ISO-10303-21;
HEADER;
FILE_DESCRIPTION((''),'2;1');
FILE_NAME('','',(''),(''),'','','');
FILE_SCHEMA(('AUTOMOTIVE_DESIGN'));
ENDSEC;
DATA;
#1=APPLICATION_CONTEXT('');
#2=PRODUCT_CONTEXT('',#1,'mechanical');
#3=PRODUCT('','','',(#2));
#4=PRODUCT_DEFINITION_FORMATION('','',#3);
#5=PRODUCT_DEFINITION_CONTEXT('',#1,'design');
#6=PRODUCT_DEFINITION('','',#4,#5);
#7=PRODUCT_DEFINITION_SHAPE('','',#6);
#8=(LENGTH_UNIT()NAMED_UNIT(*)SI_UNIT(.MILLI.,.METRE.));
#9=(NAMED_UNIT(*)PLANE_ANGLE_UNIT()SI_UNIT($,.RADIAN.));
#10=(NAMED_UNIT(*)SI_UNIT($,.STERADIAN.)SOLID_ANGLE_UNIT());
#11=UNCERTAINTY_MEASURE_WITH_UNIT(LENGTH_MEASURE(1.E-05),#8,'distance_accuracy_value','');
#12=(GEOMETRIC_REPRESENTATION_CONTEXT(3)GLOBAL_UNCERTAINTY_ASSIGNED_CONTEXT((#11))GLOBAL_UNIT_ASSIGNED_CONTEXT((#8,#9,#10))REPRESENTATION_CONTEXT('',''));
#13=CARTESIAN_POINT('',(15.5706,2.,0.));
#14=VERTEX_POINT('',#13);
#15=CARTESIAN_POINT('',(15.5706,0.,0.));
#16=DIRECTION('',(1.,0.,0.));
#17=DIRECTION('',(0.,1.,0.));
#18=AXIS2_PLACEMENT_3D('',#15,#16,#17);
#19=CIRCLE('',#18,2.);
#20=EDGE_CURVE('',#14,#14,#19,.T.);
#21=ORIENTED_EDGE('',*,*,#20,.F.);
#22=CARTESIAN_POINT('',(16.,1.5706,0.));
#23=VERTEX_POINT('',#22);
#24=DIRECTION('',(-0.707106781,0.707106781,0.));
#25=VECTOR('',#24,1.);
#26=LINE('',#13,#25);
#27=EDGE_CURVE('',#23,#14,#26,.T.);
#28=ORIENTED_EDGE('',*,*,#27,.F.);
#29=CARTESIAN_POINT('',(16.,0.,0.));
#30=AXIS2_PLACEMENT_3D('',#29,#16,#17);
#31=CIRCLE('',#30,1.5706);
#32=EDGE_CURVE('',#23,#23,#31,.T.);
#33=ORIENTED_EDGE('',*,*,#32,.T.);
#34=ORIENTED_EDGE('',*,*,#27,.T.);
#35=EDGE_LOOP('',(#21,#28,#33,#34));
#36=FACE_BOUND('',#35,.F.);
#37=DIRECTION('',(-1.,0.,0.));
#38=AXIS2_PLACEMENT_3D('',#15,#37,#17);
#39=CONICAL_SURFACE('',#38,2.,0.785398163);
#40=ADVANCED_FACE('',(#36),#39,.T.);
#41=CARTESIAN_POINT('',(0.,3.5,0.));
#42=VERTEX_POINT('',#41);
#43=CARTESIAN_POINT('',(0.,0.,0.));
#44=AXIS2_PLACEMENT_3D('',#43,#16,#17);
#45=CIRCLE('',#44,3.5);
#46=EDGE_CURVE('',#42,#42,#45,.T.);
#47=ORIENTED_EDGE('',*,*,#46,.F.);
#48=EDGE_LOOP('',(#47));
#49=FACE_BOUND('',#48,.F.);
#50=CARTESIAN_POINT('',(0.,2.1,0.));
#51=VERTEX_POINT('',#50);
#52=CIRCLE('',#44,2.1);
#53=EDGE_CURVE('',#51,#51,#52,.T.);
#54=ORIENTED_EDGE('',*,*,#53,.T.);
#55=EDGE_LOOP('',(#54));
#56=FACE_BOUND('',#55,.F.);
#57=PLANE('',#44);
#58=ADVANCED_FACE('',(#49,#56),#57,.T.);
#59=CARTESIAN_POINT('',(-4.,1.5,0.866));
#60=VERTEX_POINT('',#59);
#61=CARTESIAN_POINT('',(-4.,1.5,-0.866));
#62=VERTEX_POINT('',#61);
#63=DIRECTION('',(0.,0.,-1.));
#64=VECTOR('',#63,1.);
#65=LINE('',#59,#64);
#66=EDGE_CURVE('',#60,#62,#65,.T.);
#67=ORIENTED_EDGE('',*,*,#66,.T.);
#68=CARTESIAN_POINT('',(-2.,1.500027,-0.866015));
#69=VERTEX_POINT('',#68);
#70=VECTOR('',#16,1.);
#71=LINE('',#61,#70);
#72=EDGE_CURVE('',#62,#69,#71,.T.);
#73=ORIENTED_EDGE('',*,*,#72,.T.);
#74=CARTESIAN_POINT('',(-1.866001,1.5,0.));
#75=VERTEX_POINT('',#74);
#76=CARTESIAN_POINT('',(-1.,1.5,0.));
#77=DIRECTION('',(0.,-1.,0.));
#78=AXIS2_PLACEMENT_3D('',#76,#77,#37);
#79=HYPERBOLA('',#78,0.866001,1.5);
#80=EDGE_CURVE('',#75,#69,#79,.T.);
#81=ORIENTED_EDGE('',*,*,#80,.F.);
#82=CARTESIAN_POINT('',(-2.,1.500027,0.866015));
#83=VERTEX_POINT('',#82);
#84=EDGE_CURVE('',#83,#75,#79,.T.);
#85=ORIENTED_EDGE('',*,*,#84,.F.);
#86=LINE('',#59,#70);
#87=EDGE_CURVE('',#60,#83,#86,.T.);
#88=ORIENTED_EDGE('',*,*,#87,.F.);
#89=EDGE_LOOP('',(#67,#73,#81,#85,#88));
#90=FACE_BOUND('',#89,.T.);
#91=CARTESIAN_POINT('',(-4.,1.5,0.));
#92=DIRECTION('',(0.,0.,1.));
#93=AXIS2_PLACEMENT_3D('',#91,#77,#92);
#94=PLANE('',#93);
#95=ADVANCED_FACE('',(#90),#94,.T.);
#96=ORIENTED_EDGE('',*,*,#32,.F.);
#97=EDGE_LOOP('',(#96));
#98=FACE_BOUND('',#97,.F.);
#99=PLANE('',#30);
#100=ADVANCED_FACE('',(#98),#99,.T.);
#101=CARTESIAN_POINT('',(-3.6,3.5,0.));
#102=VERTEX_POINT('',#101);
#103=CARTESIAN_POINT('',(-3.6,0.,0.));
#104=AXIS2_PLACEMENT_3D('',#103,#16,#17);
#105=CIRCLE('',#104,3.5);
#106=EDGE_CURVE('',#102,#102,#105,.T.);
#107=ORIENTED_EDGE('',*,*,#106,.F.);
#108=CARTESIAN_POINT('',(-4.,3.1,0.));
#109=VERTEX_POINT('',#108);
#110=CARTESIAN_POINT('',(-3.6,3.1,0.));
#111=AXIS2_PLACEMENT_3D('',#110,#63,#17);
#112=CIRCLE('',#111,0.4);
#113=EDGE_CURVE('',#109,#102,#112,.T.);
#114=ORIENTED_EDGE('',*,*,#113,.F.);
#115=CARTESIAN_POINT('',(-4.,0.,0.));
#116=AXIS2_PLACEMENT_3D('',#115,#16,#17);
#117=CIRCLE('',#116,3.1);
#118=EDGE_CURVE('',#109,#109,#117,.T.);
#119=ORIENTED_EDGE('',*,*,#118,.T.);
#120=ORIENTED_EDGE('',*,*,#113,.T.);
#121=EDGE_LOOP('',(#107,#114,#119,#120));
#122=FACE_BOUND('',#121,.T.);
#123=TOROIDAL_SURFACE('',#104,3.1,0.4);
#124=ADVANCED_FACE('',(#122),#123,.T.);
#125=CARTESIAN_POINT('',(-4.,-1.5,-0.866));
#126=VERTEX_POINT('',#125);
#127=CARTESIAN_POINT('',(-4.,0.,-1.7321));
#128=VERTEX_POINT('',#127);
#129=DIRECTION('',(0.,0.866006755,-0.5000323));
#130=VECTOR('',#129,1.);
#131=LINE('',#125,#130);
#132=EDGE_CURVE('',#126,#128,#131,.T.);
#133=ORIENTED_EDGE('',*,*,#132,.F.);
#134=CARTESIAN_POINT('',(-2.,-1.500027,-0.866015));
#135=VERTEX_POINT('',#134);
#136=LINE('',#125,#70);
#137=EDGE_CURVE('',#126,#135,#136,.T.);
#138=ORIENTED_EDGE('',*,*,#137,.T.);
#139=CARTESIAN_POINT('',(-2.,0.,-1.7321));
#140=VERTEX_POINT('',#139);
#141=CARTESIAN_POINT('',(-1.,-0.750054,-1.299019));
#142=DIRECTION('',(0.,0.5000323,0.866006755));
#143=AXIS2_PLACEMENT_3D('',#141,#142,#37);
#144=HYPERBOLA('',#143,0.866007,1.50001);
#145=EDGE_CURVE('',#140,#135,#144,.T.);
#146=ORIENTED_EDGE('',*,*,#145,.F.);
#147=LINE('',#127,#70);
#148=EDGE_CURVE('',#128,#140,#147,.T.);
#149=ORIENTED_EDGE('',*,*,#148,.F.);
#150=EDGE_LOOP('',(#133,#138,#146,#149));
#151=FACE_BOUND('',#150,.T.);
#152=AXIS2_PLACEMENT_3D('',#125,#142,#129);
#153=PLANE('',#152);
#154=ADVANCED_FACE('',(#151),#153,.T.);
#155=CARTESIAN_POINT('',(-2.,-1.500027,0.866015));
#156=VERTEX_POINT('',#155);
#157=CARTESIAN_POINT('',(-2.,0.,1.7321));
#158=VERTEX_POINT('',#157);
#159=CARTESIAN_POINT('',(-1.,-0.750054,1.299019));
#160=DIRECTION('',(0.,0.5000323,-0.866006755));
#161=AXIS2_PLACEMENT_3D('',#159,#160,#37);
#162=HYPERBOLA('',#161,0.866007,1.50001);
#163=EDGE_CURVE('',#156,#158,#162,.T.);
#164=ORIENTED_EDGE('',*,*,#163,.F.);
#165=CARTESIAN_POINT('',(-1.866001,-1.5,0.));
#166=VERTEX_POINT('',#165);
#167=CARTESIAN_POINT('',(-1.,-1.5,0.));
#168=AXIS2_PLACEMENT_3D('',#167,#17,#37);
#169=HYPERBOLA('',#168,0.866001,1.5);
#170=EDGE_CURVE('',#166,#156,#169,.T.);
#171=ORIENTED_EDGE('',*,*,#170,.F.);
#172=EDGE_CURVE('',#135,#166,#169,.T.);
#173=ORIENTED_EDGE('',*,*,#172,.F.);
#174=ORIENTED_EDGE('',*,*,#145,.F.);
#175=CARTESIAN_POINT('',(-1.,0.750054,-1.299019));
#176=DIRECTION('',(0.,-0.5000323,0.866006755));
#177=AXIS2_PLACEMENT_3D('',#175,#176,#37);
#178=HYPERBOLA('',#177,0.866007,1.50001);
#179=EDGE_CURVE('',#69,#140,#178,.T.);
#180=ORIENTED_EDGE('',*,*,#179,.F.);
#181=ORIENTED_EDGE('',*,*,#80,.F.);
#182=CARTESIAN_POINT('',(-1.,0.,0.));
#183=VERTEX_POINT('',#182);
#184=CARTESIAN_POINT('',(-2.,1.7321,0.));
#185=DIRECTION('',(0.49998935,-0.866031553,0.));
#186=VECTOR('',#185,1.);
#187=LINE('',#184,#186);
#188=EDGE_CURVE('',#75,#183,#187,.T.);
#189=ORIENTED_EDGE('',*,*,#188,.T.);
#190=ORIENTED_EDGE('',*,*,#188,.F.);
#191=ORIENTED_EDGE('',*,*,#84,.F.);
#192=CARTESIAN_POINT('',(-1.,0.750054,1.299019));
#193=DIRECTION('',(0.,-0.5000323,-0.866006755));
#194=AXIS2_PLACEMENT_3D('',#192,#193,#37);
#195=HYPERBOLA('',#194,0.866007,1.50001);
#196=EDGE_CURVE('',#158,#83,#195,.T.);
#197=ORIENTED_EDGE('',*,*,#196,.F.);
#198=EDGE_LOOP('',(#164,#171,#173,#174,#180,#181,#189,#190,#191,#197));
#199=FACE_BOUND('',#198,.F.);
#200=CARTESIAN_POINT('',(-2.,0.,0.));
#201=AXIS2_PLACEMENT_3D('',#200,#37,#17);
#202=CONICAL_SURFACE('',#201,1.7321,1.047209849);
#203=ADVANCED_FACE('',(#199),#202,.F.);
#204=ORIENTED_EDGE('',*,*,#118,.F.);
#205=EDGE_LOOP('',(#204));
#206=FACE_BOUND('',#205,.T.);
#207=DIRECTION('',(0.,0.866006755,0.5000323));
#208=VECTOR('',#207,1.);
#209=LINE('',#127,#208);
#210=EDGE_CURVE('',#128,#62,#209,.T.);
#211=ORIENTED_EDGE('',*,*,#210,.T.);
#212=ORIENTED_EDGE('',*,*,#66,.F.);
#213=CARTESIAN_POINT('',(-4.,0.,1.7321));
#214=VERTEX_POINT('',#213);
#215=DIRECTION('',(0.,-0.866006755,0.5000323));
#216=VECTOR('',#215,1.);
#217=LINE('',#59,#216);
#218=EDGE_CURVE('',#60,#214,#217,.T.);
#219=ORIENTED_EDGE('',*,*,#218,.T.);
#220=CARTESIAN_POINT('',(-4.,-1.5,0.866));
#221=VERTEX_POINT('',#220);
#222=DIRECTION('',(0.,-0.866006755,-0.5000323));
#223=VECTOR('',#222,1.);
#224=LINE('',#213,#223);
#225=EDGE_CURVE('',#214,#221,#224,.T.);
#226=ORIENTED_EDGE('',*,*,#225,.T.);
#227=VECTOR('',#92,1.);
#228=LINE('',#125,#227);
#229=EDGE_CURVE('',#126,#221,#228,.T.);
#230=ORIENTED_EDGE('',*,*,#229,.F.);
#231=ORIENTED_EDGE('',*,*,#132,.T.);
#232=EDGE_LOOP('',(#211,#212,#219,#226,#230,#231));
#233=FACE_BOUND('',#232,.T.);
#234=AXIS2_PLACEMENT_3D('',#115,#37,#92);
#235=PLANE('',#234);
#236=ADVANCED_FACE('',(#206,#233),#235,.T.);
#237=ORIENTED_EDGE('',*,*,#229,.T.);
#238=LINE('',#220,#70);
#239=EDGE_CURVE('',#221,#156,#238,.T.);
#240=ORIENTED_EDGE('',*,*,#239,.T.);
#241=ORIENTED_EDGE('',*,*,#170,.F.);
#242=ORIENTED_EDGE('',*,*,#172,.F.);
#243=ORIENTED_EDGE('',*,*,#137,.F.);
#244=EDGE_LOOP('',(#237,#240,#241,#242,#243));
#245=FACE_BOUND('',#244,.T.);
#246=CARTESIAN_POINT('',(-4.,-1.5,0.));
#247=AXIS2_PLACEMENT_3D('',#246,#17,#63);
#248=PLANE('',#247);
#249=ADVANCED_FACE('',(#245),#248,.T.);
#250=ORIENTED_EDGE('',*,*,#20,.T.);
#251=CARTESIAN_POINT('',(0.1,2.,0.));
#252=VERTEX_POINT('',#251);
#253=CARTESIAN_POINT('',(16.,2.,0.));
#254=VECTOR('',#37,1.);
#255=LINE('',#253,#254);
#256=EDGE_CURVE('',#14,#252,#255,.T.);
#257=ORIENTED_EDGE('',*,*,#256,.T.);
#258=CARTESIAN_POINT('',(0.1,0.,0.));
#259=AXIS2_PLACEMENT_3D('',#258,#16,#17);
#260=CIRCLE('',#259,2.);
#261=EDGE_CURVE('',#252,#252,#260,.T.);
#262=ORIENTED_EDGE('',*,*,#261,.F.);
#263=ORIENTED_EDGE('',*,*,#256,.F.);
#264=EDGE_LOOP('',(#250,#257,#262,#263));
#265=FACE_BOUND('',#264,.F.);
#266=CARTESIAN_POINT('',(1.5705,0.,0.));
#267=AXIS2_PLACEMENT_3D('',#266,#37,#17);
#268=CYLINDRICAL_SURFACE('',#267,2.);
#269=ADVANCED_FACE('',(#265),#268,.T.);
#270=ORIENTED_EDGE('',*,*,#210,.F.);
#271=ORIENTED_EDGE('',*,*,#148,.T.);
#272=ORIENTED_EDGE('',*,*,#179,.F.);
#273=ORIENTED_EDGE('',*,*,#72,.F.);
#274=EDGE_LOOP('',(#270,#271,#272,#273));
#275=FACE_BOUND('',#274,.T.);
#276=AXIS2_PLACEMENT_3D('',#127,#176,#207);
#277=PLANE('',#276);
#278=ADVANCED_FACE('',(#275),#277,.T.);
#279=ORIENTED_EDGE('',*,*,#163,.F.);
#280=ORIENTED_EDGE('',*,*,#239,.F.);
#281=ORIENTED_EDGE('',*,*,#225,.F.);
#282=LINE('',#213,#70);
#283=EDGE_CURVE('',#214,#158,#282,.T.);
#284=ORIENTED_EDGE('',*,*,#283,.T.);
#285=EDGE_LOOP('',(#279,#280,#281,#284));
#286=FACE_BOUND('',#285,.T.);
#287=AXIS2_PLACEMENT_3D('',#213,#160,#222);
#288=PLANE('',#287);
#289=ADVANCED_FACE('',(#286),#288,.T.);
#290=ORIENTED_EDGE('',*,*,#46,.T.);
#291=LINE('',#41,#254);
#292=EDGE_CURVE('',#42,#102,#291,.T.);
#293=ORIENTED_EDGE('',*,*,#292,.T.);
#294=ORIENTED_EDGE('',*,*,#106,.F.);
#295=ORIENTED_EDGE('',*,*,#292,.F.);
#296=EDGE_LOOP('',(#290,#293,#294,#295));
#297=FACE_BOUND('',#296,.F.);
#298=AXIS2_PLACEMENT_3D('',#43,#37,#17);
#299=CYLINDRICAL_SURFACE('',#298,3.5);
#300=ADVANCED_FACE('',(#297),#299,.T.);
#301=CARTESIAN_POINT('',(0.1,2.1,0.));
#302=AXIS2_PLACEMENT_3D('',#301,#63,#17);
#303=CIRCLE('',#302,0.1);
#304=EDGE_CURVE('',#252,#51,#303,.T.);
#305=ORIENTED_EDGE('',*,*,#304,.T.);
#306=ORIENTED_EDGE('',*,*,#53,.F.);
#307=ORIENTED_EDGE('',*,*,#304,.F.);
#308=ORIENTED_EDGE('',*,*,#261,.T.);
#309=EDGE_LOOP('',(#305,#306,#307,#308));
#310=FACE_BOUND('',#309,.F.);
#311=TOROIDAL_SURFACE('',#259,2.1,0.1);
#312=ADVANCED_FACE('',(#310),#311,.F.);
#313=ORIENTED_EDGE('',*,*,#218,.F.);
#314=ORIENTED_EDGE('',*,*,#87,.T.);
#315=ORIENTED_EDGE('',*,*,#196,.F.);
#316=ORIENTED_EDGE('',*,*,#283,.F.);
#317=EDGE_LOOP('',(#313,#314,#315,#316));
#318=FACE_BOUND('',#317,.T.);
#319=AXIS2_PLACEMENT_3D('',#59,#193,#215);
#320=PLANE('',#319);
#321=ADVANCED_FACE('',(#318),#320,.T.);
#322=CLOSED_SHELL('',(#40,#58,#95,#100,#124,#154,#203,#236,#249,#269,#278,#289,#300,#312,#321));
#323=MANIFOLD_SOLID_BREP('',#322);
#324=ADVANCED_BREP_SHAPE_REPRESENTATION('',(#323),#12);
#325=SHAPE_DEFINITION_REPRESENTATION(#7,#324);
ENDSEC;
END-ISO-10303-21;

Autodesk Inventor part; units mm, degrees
ref_plane "YZ Plane" through (0, 0, 0) normal (1, 0, 0) x (0, 1, 0)
ref_plane "XZ Plane" through (0, 0, 0) normal (0, 1, 0) x (-1, 0, 0)
sketch "Sketch1" plane through (0, 0, 0) normal (0, 0, 1) x (1, 0, 0)
  line L0 (-1, 0) -> (16, 0)
  line L1 (16, 0) -> (16, 2)
  line L2 (16, 2) -> (2, 2)
  line L3 (2, 2) -> (1.5705, 2)
  line L4 (1.5705, 2) -> (0, 2)
  line L5 (0, 2) -> (0, 3.5)
  line L6 (0, 3.5) -> (-4, 3.5)
  line L7 (-4, 3.5) -> (-4, 1.7321)
  line L8 (-4, 1.7321) -> (-2, 1.7321)
  line L9 (-2, 1.7321) -> (-1, 0)
  line L10 (-8, 0) -> (20, 0) projected
  line L11 (0, -0.7) -> (0, 4.2) projected
  line L12 (2, 2) -> (0, 2) construction
  dimension "d1" = 14
  dimension "d2" = 0.4295
  dimension "d3" = 4
  dimension "d4" = 2
  dimension "d5" = 60
  dimension "d6" = 4
  dimension "d7" = 4
  dimension "d8" = 3.4641
  dimension "d9" = 7
  dimension "d26" = 16
revolve "Body" add sketch "Sketch1" angle 360 about axis through (-1, 0, 0) along (1, 0, 0)
sketch "Sketch2" plane through (-4, 0, 0) normal (-1, 0, 0) x (0, 0, 1)
  circle A0 centre (0, 0) radius 1.7321 projected
  line L0 (0, -4.9) -> (0, 4.9) projected
  line L1 (-4.9, 0) -> (4.9, 0) projected
  line L2 (1.7321, 0) -> (0.866, -1.5)
  line L3 (0.866, -1.5) -> (-0.866, -1.5)
  line L4 (-0.866, -1.5) -> (-1.7321, 0)
  line L5 (-1.7321, 0) -> (-0.866, 1.5)
  line L6 (-0.866, 1.5) -> (0.866, 1.5)
  line L7 (0.866, 1.5) -> (1.7321, 0)
extrude "Slot" add sketch "Sketch2" against normal up to next contours L7 A0 | A0 L2 | L6 L0 A0 | A0 L0 L3 | L0 L6 A0 | A0 L3 L0 | L4 A0 | A0 L5
fillet "Fillet1" radius 0.4 1 edges at (-4, -3.5, 0)
thread "Thread" size "M4x0.7" class "6g" standard "ISO Metric profile" length 14
chamfer "Chamfer1" distance 0.4294 distance2 0.4294 1 edges at (16, -2, 0) measured on face at (16, 0.527, -0.2661)
ref_plane "Work Plane1" through (29, 0, 0) normal (0, -1, 0) x (1, 0, 0)
fillet "Fillet2" radius 0.1 1 edges at (0, -2, 0)
equation "\"d1\" = GEL"
equation "\"d3\" = KOH"
equation "\"d4\" = INTI"
equation "\"d6\" = GD"
equation "\"d7\" = BDM"
equation "\"d8\" = 1.1547 * SW"
equation "\"d9\" = KOD"
equation "\"d26\" = NLG"
equation "\"d30\" = R"
equation "\"d17\" = RR"
equation "\"d13\" = GEL"
equation "\"d15\" = -0.5 * SPD + 0.5 * GD"
equation "\"d16\" = GUL"
equation "\"GD\" = NND"
equation "\"NLG\" = 16"
equation "\"GEL\" = 14"
equation "\"KOD\" = 7"
equation "\"KOH\" = NND"
equation "\"INTI\" = 2"
equation "\"GAL\" = 0.61345 * PTC"
equation "\"GUL\" = 0.61345 * PTC"
equation "\"BDM\" = NND"
equation "\"SW\" = 3"
equation "\"RR\" = 0.1 * NND"
equation "\"SPD\" = NND - 1.2269 * PTC"
equation "\"R\" = 0.1"
equation "\"PHH\" = 0.13"
equation "\"GD1\" = THREADDIA - 1.2269 * PTC"
equation "\"THREADDIA\" = 4"
equation "\"FAWI\" = 45deg"
equation "\"PTC\" = 0.7"
equation "\"KOH1\" = 3.6"
equation "\"NND\" = 4"
equation "\"TOA\" = 30deg"
equation "\"E0\" = 1.155 * SW"
properties part number "AS 1420 - 1973 - M4 x 16" material "Steel, Mild"
